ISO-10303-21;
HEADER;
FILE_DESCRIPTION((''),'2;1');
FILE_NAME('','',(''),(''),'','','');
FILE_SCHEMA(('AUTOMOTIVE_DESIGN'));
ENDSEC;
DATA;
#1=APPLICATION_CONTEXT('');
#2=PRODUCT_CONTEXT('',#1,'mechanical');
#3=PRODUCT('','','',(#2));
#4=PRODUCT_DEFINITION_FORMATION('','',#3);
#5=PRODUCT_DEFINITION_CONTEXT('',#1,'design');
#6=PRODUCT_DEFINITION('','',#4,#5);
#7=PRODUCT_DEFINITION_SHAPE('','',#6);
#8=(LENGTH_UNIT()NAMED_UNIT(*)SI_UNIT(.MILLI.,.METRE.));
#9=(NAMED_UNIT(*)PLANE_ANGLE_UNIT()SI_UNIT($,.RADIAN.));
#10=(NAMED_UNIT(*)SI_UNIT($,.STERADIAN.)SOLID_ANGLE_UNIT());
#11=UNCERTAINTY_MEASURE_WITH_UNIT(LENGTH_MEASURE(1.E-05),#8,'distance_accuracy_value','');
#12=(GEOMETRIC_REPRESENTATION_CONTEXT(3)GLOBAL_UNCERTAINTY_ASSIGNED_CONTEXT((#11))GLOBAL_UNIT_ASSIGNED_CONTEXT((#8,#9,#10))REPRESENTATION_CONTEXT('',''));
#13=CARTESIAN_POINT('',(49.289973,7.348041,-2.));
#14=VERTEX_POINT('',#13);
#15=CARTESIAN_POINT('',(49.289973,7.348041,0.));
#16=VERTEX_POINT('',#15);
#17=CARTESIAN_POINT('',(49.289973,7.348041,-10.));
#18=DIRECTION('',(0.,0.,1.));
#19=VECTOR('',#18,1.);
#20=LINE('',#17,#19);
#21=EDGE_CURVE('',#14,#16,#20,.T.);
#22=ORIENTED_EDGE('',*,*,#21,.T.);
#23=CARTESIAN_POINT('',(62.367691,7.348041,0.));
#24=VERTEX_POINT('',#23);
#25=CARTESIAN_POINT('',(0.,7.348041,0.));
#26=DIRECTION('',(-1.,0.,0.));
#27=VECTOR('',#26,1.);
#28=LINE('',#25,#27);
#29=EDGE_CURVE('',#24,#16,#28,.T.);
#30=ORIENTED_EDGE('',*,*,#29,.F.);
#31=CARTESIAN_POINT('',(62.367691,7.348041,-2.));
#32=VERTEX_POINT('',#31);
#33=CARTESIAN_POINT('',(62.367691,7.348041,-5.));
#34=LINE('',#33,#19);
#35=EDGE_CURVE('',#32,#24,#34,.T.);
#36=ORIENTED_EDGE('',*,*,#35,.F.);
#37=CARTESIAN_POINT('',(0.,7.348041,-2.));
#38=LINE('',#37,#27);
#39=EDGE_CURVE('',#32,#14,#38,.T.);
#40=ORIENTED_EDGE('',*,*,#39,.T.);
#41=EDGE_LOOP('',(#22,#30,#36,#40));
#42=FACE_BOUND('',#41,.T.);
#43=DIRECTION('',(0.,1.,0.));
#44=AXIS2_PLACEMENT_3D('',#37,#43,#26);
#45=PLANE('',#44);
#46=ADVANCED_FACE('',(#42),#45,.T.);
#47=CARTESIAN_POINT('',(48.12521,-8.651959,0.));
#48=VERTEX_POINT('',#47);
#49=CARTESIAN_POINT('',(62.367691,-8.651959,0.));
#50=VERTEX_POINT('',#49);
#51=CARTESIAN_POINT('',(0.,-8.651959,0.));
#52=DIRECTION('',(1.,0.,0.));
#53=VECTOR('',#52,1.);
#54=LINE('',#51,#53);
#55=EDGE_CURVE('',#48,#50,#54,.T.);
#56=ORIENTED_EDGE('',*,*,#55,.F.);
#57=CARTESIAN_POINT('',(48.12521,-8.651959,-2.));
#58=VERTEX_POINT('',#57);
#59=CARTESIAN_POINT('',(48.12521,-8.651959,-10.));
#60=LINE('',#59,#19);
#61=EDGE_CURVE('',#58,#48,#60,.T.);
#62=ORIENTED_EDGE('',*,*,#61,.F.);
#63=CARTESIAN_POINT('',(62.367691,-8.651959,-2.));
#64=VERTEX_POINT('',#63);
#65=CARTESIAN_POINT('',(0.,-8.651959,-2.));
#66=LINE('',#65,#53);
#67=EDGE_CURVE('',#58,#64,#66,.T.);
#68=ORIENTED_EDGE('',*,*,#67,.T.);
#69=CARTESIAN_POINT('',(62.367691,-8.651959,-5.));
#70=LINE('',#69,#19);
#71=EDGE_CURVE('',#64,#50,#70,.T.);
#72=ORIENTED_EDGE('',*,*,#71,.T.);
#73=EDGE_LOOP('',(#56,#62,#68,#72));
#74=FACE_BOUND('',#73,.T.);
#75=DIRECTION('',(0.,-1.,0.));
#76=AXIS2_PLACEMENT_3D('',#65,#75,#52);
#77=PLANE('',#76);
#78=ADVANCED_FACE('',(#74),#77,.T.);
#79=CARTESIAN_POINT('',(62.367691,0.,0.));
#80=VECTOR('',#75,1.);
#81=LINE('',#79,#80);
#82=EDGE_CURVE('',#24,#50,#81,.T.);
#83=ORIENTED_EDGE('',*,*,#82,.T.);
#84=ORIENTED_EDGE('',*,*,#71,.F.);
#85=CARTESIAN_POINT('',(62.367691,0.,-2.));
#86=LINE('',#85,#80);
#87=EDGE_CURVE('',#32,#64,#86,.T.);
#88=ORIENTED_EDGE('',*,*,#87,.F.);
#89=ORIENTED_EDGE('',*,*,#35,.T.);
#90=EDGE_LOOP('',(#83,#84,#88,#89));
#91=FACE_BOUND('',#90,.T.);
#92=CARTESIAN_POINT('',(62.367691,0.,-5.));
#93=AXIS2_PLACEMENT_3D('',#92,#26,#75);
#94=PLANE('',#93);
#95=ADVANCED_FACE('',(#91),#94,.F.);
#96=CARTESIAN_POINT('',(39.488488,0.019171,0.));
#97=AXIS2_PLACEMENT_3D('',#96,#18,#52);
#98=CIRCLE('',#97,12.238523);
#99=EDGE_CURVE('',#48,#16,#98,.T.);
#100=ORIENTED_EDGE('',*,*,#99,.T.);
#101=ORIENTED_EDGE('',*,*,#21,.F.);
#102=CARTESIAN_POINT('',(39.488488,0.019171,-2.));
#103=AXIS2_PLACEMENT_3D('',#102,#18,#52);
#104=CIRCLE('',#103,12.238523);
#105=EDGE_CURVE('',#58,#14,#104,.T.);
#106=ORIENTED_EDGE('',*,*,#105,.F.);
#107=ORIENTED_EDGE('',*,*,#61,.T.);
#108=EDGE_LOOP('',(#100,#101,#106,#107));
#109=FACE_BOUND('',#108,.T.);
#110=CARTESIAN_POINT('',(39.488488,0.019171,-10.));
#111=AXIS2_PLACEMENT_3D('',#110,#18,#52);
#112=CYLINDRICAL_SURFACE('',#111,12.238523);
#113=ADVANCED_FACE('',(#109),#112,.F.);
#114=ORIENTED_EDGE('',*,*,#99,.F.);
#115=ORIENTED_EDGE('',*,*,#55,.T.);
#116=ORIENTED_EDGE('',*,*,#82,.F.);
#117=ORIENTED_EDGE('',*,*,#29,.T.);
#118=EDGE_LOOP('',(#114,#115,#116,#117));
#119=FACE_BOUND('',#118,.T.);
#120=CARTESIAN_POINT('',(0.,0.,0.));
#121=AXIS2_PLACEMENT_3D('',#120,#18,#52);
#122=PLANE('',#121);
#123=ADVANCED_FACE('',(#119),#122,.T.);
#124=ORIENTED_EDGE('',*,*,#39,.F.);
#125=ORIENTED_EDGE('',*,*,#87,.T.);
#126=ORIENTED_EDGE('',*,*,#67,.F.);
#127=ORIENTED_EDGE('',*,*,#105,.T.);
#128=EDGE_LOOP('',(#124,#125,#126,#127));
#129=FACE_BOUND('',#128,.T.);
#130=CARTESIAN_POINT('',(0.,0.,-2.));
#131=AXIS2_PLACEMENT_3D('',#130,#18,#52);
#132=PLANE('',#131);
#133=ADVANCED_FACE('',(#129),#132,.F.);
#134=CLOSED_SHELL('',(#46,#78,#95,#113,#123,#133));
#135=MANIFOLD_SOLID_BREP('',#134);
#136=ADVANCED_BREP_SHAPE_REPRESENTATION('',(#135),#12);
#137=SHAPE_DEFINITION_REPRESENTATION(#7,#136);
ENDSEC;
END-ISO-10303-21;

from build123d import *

# Parameters (mm, degrees)
DODANIE_WYCI_GNI_CIE1_DEPTH = 2
SZKIC2_W                    = 5
SZKIC2_H                    = 16
WYTNIJ_WYCI_GNI_CIE1_DEPTH  = 5
WYTNIJ_WYCI_GNI_CIE2_DEPTH  = 10


with BuildPart() as part:
    # Szkic1 → Dodanie-wyciągnięcie1 (new body)
    with BuildSketch(Plane.XY):
        Polygon((39.660703644, 7.348041155), (39.998203889, -8.651958845), (67.367690874, -8.651958845), (67.367690874, 7.348041155), align=None)
    extrude(amount=-DODANIE_WYCI_GNI_CIE1_DEPTH)

    # Szkic2 → Wytnij-wyciągnięcie1 (cut)
    with BuildSketch(Plane.XY):
        with Locations((64.867690874, -0.651958845)):
            Rectangle(SZKIC2_W, SZKIC2_H)
    extrude(amount=-WYTNIJ_WYCI_GNI_CIE1_DEPTH, mode=Mode.SUBTRACT)

    # Szkic3 → Wytnij-wyciągnięcie2 (cut)
    with BuildSketch(Plane.XY):
        with BuildLine():
            Line((39.660703644, 7.348041155), (39.998203889, -8.651958845))
            Line((39.998203889, -8.651958845), (48.125210145, -8.651958845))
            ThreePointArc((48.125210145, -8.651958845), (51.694710699, -0.869414217), (49.289973229, 7.348041155))
            Line((49.289973229, 7.348041155), (39.660703644, 7.348041155))
        make_face()
    extrude(amount=-WYTNIJ_WYCI_GNI_CIE2_DEPTH, mode=Mode.SUBTRACT)


solid = part.part
